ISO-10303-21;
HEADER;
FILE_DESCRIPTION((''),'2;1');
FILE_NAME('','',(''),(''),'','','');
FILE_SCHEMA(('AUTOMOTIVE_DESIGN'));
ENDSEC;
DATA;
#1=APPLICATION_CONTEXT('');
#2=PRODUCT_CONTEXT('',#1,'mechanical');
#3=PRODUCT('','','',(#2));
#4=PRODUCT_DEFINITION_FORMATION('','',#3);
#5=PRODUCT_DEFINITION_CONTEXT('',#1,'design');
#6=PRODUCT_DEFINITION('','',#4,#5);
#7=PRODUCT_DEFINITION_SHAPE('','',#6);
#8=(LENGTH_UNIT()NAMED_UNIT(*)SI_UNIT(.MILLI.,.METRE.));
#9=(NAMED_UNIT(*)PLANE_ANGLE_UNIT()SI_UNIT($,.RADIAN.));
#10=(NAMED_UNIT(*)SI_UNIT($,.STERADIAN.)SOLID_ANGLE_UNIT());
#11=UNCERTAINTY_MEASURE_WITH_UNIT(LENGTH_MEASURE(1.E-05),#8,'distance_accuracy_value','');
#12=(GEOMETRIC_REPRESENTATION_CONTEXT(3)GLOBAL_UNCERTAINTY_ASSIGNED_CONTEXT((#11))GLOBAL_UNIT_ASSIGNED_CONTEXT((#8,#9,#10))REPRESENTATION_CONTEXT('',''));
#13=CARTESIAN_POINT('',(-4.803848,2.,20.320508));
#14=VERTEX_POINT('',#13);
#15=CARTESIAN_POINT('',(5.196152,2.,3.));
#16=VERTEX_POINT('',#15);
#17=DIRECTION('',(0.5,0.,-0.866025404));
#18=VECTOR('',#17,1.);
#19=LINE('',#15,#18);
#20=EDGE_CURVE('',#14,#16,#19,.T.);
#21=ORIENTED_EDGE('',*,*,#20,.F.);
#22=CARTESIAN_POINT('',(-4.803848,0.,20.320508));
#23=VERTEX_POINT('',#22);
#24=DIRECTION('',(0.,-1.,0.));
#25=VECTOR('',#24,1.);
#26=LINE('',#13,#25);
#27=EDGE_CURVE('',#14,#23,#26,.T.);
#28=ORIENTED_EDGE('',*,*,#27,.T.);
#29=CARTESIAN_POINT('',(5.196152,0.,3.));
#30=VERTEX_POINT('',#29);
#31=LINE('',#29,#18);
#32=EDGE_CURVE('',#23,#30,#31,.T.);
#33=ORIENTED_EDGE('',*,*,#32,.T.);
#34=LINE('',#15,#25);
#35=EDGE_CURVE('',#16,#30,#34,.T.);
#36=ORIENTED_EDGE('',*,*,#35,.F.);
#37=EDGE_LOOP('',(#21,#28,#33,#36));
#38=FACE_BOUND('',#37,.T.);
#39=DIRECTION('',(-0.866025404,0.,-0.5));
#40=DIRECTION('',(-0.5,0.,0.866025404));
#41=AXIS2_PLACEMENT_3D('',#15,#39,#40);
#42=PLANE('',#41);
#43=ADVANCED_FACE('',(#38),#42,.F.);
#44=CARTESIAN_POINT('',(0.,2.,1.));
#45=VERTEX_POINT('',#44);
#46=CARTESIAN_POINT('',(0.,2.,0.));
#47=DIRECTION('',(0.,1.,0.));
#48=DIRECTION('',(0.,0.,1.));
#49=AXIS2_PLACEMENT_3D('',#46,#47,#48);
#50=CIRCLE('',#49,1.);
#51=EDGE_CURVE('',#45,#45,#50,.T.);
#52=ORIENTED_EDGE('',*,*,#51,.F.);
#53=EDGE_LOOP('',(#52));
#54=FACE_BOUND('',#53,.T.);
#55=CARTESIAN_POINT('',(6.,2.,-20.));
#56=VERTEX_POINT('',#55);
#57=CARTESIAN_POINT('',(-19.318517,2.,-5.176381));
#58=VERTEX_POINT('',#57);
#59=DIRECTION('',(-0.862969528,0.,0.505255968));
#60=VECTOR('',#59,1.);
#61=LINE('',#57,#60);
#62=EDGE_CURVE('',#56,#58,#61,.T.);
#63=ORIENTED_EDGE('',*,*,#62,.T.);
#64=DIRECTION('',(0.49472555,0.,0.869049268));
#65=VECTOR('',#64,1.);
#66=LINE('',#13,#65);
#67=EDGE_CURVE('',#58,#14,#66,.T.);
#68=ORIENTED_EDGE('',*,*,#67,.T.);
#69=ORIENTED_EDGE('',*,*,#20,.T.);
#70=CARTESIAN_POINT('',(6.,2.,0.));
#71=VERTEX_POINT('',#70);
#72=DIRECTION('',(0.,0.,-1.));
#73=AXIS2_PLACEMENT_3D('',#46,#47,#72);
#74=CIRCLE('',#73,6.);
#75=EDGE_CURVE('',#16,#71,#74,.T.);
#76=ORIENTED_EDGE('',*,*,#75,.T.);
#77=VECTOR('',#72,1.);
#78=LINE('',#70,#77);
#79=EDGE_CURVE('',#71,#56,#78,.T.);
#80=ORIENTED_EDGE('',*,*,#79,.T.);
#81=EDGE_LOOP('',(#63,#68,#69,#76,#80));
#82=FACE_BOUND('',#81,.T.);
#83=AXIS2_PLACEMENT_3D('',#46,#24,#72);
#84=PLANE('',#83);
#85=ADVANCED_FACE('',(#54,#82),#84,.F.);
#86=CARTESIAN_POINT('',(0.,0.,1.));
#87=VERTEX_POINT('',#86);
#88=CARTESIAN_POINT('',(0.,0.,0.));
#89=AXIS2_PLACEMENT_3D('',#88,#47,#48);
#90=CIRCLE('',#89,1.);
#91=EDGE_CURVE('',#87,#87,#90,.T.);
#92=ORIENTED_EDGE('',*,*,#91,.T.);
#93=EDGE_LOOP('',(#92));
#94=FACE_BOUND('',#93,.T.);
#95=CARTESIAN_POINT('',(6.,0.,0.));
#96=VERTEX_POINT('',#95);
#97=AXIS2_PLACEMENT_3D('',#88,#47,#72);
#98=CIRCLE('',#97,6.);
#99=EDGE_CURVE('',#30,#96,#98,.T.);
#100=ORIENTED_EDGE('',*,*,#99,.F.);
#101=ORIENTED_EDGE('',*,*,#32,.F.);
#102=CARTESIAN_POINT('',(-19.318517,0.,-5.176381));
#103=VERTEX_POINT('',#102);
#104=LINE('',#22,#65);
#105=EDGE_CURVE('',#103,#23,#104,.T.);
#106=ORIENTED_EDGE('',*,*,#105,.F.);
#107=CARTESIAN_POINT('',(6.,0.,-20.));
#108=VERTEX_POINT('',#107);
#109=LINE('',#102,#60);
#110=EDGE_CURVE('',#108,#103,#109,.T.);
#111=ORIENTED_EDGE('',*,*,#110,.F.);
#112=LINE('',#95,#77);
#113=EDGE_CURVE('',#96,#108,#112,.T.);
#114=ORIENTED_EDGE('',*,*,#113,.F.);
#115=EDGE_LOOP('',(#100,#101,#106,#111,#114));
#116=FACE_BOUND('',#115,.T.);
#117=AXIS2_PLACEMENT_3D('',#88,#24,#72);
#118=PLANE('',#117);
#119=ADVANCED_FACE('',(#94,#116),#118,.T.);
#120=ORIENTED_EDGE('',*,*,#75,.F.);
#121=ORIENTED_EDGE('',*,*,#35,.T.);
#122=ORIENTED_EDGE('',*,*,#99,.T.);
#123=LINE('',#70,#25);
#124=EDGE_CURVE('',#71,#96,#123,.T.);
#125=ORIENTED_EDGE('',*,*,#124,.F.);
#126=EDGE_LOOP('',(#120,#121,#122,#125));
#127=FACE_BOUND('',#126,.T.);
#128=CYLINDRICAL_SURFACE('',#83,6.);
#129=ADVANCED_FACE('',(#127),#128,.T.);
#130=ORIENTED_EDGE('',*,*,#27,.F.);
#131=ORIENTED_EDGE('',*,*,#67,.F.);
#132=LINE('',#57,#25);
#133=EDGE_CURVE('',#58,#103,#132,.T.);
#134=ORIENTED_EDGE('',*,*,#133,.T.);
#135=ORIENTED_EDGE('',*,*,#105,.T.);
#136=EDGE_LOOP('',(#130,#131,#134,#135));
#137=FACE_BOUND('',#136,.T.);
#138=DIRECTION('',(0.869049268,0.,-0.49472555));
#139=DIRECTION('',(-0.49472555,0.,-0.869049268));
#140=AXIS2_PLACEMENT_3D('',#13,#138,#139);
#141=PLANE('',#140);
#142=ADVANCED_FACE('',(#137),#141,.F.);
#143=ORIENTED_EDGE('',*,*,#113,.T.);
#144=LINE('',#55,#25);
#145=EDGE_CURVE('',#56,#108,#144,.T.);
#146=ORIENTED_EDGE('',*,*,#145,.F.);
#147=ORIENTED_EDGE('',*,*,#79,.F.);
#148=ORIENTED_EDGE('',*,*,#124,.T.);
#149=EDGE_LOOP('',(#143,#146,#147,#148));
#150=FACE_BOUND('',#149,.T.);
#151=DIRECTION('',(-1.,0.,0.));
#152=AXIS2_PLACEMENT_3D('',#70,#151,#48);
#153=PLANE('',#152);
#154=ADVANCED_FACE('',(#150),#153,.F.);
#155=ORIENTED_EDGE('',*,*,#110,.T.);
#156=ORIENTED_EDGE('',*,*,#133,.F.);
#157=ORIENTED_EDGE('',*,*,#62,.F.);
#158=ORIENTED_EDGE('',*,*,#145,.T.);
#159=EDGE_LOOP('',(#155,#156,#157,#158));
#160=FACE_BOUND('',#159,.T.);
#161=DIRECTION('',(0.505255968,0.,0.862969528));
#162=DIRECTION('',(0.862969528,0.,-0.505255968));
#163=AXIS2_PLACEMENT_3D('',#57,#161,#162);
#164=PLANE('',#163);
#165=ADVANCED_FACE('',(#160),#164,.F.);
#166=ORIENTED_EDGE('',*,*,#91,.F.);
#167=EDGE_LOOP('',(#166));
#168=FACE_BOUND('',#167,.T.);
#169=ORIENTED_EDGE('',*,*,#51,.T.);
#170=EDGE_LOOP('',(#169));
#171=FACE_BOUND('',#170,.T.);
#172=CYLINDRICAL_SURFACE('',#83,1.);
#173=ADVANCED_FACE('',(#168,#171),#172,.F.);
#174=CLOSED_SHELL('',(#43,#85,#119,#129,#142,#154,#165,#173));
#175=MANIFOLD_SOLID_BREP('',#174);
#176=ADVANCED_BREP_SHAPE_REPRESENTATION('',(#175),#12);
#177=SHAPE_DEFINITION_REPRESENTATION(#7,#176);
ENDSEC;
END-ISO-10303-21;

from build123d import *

# Parameters (mm, degrees)
ESQUISSE1_R        = 1
BOSS_EXTRU_1_DEPTH = 2


with BuildPart() as part:
    # Esquisse1 → Boss.-Extru.1 (new body)
    with BuildSketch(Plane(origin=(0, 0, 0), x_dir=(1, 0, 0), z_dir=(0, 1, 0))):
        with BuildLine():
            Line((6, 0), (6, 20))
            Line((6, 20), (-19.318516526, 5.176380902))
            Line((-19.318516526, 5.176380902), (-4.803847577, -20.320508076))
            Line((-4.803847577, -20.320508076), (5.196152423, -3))
            ThreePointArc((5.196152423, -3), (5.795554958, -1.552914271), (6, 0))
        make_face()
        Circle(ESQUISSE1_R, mode=Mode.SUBTRACT)
    extrude(amount=BOSS_EXTRU_1_DEPTH)


solid = part.part
